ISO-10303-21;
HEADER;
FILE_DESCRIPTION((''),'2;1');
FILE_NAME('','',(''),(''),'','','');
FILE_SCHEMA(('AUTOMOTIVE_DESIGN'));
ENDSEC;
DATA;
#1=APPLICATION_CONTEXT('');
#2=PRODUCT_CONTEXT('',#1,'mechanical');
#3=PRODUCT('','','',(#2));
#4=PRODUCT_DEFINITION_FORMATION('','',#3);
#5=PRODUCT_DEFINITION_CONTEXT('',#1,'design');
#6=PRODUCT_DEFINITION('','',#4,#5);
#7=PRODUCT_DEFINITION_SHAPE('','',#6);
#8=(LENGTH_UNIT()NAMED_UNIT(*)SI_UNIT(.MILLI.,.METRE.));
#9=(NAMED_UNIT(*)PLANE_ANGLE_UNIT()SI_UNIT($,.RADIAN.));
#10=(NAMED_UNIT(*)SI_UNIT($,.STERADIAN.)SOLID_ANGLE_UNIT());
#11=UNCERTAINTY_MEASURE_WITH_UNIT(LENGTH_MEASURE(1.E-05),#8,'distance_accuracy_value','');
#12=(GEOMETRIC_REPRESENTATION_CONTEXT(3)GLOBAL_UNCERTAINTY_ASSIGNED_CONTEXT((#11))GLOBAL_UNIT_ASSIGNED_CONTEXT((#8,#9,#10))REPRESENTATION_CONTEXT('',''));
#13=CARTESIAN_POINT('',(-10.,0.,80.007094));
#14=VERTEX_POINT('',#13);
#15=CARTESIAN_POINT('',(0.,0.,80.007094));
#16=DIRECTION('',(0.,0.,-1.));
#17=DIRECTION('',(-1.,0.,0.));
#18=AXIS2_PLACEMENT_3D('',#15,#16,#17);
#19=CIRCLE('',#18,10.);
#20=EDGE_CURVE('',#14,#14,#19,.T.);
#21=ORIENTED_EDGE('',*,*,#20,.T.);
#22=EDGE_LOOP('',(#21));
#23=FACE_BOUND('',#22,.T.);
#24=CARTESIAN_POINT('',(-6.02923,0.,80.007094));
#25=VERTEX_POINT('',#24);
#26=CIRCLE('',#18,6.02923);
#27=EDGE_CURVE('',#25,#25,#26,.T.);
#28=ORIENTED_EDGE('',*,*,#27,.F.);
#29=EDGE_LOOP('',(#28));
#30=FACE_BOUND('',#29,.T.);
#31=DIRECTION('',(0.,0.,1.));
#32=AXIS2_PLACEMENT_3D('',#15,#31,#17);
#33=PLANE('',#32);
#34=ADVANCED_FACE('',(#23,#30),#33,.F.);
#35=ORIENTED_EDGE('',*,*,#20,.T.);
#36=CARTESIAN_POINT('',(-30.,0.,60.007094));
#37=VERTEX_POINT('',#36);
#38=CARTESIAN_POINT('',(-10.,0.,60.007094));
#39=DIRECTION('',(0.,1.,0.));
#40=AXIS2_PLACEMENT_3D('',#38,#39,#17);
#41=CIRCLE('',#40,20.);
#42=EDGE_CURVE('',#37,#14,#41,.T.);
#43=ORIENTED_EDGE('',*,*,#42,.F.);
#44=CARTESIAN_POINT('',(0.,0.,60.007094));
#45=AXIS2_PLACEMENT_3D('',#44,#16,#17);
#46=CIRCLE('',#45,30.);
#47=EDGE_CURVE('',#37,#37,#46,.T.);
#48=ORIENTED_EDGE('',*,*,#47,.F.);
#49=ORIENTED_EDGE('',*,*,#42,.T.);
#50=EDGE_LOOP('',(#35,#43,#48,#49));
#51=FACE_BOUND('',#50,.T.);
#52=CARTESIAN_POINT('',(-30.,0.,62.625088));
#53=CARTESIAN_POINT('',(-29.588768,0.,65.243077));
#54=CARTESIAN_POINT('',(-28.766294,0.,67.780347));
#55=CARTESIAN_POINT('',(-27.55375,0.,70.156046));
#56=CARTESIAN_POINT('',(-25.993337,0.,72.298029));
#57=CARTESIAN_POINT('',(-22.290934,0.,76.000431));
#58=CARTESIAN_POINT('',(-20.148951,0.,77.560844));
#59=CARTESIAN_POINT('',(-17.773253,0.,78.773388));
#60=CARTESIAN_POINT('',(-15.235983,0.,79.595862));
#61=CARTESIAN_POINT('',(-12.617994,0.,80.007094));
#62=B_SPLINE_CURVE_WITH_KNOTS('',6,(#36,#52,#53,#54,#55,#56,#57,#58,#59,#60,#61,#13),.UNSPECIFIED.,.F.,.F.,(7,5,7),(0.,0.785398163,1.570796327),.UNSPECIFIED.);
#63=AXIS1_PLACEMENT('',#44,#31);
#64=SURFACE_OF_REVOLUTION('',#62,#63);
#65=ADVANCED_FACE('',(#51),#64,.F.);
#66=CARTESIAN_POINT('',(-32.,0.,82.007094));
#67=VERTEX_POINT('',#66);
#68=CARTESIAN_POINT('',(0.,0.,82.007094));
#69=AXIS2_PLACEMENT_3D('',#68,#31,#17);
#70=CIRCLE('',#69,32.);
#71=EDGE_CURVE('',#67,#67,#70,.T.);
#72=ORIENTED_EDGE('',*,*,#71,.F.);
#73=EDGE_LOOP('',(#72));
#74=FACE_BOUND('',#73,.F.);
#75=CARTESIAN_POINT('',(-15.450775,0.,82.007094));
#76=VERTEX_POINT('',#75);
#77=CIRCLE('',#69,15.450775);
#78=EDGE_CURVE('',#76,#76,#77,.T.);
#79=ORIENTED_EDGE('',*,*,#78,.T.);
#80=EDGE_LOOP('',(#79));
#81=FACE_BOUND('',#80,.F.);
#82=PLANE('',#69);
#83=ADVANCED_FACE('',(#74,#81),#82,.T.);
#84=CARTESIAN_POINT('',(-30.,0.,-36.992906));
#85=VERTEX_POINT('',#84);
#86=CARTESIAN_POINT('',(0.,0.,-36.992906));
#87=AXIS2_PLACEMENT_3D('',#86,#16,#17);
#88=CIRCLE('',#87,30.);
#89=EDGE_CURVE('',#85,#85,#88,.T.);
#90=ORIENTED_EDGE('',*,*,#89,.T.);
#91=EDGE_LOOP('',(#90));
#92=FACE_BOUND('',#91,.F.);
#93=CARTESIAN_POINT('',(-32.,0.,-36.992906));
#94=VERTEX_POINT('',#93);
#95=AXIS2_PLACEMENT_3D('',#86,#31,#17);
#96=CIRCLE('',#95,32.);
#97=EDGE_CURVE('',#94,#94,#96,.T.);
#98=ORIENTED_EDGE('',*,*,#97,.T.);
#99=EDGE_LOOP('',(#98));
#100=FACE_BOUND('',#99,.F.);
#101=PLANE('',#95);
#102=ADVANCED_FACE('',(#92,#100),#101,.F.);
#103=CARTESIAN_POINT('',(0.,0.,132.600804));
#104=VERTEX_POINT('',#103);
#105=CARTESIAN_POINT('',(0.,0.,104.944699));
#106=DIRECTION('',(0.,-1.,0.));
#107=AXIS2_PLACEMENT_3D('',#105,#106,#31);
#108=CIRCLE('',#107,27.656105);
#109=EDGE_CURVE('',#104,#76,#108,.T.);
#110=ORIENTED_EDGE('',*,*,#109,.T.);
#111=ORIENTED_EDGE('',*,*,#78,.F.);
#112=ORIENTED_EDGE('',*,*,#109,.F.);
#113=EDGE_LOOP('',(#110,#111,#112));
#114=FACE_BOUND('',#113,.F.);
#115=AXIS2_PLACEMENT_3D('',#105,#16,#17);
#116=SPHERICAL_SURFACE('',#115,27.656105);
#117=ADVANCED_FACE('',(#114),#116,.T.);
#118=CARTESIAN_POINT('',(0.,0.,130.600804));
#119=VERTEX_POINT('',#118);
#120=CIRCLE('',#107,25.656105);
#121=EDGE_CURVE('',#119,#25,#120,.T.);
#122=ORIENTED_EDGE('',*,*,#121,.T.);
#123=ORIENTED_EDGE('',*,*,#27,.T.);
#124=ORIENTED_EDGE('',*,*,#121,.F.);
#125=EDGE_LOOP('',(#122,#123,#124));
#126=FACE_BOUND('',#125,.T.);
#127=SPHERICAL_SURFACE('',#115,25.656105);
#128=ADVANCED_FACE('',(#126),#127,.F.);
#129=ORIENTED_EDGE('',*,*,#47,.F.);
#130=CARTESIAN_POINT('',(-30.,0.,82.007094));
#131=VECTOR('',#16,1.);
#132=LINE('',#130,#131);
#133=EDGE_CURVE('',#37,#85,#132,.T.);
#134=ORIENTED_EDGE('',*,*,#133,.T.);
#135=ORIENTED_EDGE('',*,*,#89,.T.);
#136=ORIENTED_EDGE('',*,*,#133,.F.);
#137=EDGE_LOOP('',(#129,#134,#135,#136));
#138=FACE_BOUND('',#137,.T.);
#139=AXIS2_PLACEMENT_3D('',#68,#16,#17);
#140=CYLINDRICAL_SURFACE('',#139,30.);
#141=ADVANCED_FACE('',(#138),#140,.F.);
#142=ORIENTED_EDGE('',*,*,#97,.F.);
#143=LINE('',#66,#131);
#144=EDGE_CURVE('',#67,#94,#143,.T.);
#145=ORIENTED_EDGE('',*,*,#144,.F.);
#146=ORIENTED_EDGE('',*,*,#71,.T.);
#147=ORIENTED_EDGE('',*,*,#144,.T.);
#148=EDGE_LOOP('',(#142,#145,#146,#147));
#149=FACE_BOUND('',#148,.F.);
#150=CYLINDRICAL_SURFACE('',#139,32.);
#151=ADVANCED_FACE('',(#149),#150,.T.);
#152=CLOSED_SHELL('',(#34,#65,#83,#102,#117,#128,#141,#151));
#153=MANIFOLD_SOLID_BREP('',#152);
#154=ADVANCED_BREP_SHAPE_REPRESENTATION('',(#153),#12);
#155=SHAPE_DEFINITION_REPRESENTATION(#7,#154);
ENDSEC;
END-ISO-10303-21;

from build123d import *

# Parameters (mm, degrees)
F2_T = -2
F3_R = 20


with BuildPart() as f1:
    # F0 (on Front) → F1 (revolve)
    with BuildSketch(Plane.XZ):
        Polygon((-32, -36.9929058894), (0, -36.9929058894), (0, 74.4539797306), (0, 82.0070941106), (-15.4507753317, 82.0070941106), (-32, 82.0070941106), align=None)
        with BuildLine():
            Line((-15.4507753317, 82.0070941106), (0, 82.0070941106))
            Line((0, 82.0070941106), (0, 132.6008036984))
            ThreePointArc((0, 132.6008036984), (-26.4501886014, 113.0223019318), (-15.4507753317, 82.0070941106))
        make_face()
    revolve(axis=Axis((0, 0, 47.8039489045), (0, 0, 1)))

    # F2
    f2_openings = [f1.faces().sort_by_distance(p)[0] for p in [
        (0, 0, -36.992906),
    ]]
    offset(amount=F2_T, openings=f2_openings, kind=Kind.INTERSECTION)

    # F3
    f3_edges = [f1.edges().sort_by_distance(p)[0] for p in [
        (30, 0, 80.007094),
    ]]
    fillet(f3_edges, radius=F3_R)


solid = f1.part
